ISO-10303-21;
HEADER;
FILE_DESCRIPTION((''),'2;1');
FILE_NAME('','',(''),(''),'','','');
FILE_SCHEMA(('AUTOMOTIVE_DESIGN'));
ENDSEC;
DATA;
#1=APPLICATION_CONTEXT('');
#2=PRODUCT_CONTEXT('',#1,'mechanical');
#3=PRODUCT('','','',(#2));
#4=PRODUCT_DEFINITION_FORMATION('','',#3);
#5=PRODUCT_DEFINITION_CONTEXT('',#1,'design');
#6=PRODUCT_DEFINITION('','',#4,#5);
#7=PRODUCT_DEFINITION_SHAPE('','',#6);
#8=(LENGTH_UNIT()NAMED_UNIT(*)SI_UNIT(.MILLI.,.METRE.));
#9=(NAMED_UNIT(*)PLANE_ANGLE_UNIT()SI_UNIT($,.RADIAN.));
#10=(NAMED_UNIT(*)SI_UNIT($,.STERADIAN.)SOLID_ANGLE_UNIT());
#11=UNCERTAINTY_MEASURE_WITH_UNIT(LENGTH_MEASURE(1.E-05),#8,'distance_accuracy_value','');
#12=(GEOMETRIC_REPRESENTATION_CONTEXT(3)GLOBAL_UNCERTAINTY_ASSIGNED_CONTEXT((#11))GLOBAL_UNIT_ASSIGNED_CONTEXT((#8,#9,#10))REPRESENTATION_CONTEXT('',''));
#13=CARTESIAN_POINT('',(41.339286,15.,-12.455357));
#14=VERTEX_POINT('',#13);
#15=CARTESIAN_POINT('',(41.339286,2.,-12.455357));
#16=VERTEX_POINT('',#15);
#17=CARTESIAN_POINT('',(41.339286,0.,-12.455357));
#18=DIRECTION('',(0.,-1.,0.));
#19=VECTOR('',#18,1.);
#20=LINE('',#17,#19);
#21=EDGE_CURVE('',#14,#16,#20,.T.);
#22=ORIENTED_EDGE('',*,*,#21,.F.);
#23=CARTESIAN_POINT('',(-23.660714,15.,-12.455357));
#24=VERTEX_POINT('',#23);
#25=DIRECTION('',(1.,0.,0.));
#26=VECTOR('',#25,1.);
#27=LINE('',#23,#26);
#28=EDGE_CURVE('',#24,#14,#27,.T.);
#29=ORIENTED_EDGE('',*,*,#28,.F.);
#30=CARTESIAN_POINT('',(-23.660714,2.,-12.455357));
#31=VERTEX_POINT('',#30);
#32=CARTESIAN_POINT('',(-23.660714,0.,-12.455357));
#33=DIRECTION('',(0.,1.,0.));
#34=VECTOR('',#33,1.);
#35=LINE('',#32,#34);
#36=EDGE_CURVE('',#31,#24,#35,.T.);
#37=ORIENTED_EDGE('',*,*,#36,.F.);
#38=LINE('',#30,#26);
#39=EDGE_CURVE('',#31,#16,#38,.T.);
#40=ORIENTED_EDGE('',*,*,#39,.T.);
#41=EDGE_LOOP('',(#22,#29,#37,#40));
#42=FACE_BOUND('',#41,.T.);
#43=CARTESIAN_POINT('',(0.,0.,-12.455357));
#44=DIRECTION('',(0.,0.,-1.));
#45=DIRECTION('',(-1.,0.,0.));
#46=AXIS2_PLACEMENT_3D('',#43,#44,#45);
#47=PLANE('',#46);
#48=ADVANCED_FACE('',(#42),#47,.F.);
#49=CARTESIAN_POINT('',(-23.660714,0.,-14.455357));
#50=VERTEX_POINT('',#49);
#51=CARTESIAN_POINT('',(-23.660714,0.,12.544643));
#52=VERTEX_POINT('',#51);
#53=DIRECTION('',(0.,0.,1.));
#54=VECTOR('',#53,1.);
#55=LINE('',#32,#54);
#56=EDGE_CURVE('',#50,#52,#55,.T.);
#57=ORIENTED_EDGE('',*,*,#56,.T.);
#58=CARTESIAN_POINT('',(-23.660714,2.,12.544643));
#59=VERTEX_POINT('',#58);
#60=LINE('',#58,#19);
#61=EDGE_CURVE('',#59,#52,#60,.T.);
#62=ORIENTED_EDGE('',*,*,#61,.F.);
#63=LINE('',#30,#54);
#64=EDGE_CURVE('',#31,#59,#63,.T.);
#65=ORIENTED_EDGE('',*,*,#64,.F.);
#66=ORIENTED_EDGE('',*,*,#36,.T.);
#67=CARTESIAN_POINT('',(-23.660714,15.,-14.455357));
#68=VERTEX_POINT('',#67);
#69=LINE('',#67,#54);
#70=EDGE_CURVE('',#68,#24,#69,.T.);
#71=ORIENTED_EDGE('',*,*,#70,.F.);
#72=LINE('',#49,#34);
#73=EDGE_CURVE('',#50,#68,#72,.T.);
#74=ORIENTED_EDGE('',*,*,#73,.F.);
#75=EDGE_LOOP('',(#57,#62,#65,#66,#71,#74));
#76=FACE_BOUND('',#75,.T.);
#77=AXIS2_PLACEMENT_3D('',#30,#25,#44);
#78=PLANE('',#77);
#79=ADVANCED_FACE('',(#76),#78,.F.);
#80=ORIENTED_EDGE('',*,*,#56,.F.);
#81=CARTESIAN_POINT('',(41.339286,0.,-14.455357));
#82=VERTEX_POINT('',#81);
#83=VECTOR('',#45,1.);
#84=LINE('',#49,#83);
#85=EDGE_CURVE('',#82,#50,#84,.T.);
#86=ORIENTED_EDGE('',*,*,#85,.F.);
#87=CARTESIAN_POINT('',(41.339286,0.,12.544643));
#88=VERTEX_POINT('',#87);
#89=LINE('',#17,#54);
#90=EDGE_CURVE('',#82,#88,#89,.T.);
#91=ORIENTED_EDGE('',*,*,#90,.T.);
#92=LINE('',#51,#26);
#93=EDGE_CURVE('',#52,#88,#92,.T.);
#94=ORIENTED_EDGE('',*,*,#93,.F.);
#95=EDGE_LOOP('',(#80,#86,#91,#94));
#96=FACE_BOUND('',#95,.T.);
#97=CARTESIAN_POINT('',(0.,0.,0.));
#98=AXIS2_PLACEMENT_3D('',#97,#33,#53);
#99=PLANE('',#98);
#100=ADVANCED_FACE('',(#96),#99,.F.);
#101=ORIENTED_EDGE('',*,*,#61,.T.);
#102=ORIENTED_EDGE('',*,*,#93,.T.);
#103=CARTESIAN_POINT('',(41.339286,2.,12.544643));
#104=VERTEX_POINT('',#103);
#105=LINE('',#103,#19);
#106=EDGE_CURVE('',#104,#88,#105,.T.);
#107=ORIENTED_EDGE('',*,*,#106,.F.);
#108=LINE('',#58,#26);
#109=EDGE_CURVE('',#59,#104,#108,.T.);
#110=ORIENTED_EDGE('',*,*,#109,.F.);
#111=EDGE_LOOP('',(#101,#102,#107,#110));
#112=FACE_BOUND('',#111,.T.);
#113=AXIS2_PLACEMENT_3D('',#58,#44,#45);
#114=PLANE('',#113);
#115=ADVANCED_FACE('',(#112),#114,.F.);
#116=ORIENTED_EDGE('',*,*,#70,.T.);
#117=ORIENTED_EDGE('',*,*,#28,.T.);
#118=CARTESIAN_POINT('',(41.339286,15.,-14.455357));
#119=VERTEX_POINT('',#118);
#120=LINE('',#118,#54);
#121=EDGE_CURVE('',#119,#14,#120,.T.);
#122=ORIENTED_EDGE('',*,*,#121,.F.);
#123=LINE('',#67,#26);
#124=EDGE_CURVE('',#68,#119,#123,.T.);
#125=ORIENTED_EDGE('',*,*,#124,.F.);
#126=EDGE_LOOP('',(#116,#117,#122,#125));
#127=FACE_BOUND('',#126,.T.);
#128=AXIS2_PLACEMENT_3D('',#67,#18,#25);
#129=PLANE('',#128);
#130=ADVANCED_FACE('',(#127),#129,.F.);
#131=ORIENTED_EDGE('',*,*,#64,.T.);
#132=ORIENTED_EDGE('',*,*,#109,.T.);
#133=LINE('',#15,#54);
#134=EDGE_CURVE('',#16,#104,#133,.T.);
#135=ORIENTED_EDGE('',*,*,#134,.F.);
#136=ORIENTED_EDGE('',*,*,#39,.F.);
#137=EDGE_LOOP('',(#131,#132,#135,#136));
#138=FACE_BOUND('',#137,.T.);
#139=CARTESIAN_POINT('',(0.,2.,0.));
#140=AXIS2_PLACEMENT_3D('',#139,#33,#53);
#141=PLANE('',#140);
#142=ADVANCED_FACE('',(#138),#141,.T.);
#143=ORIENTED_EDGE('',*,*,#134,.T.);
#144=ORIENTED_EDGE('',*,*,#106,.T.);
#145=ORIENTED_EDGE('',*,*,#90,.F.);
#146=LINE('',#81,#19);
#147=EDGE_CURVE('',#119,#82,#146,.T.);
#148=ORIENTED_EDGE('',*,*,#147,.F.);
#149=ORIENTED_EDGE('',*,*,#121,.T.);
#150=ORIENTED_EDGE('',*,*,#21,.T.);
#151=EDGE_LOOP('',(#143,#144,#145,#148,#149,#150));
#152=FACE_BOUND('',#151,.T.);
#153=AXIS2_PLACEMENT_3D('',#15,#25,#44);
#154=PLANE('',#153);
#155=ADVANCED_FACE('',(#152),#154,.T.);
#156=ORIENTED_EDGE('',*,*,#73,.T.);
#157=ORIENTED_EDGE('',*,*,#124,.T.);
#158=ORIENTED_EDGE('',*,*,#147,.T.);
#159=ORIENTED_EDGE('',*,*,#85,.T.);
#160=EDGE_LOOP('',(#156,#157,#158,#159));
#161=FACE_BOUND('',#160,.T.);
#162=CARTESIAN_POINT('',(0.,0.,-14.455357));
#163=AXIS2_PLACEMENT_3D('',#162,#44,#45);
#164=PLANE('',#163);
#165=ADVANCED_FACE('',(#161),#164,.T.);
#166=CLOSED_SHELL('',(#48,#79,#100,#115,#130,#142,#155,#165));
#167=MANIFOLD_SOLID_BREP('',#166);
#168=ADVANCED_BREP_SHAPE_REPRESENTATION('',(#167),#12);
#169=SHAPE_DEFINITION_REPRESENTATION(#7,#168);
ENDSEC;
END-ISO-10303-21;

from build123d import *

# Parameters (mm, degrees)
ESQUISSE1_W        = 65
ESQUISSE1_H        = 25
BOSS_EXTRU_1_DEPTH = 2
ESQUISSE3_W        = 65
ESQUISSE3_H        = 15
BOSS_EXTRU_2_DEPTH = 2


with BuildPart() as part:
    # Esquisse1 → Boss.-Extru.1 (new body)
    with BuildSketch(Plane(origin=(0, 0, 0), x_dir=(1, 0, 0), z_dir=(0, 1, 0))):
        with Locations((8.839285714, -0.044642857)):
            Rectangle(ESQUISSE1_W, ESQUISSE1_H)
    extrude(amount=BOSS_EXTRU_1_DEPTH)

    # Esquisse3 → Boss.-Extru.2 (add)
    with BuildSketch(Plane(origin=(0, 0, -12.455357143), x_dir=(-1, 0, 0), z_dir=(0, 0, -1))):
        with Locations((-8.839285714, 7.5)):
            Rectangle(ESQUISSE3_W, ESQUISSE3_H)
    extrude(amount=BOSS_EXTRU_2_DEPTH)


solid = part.part
